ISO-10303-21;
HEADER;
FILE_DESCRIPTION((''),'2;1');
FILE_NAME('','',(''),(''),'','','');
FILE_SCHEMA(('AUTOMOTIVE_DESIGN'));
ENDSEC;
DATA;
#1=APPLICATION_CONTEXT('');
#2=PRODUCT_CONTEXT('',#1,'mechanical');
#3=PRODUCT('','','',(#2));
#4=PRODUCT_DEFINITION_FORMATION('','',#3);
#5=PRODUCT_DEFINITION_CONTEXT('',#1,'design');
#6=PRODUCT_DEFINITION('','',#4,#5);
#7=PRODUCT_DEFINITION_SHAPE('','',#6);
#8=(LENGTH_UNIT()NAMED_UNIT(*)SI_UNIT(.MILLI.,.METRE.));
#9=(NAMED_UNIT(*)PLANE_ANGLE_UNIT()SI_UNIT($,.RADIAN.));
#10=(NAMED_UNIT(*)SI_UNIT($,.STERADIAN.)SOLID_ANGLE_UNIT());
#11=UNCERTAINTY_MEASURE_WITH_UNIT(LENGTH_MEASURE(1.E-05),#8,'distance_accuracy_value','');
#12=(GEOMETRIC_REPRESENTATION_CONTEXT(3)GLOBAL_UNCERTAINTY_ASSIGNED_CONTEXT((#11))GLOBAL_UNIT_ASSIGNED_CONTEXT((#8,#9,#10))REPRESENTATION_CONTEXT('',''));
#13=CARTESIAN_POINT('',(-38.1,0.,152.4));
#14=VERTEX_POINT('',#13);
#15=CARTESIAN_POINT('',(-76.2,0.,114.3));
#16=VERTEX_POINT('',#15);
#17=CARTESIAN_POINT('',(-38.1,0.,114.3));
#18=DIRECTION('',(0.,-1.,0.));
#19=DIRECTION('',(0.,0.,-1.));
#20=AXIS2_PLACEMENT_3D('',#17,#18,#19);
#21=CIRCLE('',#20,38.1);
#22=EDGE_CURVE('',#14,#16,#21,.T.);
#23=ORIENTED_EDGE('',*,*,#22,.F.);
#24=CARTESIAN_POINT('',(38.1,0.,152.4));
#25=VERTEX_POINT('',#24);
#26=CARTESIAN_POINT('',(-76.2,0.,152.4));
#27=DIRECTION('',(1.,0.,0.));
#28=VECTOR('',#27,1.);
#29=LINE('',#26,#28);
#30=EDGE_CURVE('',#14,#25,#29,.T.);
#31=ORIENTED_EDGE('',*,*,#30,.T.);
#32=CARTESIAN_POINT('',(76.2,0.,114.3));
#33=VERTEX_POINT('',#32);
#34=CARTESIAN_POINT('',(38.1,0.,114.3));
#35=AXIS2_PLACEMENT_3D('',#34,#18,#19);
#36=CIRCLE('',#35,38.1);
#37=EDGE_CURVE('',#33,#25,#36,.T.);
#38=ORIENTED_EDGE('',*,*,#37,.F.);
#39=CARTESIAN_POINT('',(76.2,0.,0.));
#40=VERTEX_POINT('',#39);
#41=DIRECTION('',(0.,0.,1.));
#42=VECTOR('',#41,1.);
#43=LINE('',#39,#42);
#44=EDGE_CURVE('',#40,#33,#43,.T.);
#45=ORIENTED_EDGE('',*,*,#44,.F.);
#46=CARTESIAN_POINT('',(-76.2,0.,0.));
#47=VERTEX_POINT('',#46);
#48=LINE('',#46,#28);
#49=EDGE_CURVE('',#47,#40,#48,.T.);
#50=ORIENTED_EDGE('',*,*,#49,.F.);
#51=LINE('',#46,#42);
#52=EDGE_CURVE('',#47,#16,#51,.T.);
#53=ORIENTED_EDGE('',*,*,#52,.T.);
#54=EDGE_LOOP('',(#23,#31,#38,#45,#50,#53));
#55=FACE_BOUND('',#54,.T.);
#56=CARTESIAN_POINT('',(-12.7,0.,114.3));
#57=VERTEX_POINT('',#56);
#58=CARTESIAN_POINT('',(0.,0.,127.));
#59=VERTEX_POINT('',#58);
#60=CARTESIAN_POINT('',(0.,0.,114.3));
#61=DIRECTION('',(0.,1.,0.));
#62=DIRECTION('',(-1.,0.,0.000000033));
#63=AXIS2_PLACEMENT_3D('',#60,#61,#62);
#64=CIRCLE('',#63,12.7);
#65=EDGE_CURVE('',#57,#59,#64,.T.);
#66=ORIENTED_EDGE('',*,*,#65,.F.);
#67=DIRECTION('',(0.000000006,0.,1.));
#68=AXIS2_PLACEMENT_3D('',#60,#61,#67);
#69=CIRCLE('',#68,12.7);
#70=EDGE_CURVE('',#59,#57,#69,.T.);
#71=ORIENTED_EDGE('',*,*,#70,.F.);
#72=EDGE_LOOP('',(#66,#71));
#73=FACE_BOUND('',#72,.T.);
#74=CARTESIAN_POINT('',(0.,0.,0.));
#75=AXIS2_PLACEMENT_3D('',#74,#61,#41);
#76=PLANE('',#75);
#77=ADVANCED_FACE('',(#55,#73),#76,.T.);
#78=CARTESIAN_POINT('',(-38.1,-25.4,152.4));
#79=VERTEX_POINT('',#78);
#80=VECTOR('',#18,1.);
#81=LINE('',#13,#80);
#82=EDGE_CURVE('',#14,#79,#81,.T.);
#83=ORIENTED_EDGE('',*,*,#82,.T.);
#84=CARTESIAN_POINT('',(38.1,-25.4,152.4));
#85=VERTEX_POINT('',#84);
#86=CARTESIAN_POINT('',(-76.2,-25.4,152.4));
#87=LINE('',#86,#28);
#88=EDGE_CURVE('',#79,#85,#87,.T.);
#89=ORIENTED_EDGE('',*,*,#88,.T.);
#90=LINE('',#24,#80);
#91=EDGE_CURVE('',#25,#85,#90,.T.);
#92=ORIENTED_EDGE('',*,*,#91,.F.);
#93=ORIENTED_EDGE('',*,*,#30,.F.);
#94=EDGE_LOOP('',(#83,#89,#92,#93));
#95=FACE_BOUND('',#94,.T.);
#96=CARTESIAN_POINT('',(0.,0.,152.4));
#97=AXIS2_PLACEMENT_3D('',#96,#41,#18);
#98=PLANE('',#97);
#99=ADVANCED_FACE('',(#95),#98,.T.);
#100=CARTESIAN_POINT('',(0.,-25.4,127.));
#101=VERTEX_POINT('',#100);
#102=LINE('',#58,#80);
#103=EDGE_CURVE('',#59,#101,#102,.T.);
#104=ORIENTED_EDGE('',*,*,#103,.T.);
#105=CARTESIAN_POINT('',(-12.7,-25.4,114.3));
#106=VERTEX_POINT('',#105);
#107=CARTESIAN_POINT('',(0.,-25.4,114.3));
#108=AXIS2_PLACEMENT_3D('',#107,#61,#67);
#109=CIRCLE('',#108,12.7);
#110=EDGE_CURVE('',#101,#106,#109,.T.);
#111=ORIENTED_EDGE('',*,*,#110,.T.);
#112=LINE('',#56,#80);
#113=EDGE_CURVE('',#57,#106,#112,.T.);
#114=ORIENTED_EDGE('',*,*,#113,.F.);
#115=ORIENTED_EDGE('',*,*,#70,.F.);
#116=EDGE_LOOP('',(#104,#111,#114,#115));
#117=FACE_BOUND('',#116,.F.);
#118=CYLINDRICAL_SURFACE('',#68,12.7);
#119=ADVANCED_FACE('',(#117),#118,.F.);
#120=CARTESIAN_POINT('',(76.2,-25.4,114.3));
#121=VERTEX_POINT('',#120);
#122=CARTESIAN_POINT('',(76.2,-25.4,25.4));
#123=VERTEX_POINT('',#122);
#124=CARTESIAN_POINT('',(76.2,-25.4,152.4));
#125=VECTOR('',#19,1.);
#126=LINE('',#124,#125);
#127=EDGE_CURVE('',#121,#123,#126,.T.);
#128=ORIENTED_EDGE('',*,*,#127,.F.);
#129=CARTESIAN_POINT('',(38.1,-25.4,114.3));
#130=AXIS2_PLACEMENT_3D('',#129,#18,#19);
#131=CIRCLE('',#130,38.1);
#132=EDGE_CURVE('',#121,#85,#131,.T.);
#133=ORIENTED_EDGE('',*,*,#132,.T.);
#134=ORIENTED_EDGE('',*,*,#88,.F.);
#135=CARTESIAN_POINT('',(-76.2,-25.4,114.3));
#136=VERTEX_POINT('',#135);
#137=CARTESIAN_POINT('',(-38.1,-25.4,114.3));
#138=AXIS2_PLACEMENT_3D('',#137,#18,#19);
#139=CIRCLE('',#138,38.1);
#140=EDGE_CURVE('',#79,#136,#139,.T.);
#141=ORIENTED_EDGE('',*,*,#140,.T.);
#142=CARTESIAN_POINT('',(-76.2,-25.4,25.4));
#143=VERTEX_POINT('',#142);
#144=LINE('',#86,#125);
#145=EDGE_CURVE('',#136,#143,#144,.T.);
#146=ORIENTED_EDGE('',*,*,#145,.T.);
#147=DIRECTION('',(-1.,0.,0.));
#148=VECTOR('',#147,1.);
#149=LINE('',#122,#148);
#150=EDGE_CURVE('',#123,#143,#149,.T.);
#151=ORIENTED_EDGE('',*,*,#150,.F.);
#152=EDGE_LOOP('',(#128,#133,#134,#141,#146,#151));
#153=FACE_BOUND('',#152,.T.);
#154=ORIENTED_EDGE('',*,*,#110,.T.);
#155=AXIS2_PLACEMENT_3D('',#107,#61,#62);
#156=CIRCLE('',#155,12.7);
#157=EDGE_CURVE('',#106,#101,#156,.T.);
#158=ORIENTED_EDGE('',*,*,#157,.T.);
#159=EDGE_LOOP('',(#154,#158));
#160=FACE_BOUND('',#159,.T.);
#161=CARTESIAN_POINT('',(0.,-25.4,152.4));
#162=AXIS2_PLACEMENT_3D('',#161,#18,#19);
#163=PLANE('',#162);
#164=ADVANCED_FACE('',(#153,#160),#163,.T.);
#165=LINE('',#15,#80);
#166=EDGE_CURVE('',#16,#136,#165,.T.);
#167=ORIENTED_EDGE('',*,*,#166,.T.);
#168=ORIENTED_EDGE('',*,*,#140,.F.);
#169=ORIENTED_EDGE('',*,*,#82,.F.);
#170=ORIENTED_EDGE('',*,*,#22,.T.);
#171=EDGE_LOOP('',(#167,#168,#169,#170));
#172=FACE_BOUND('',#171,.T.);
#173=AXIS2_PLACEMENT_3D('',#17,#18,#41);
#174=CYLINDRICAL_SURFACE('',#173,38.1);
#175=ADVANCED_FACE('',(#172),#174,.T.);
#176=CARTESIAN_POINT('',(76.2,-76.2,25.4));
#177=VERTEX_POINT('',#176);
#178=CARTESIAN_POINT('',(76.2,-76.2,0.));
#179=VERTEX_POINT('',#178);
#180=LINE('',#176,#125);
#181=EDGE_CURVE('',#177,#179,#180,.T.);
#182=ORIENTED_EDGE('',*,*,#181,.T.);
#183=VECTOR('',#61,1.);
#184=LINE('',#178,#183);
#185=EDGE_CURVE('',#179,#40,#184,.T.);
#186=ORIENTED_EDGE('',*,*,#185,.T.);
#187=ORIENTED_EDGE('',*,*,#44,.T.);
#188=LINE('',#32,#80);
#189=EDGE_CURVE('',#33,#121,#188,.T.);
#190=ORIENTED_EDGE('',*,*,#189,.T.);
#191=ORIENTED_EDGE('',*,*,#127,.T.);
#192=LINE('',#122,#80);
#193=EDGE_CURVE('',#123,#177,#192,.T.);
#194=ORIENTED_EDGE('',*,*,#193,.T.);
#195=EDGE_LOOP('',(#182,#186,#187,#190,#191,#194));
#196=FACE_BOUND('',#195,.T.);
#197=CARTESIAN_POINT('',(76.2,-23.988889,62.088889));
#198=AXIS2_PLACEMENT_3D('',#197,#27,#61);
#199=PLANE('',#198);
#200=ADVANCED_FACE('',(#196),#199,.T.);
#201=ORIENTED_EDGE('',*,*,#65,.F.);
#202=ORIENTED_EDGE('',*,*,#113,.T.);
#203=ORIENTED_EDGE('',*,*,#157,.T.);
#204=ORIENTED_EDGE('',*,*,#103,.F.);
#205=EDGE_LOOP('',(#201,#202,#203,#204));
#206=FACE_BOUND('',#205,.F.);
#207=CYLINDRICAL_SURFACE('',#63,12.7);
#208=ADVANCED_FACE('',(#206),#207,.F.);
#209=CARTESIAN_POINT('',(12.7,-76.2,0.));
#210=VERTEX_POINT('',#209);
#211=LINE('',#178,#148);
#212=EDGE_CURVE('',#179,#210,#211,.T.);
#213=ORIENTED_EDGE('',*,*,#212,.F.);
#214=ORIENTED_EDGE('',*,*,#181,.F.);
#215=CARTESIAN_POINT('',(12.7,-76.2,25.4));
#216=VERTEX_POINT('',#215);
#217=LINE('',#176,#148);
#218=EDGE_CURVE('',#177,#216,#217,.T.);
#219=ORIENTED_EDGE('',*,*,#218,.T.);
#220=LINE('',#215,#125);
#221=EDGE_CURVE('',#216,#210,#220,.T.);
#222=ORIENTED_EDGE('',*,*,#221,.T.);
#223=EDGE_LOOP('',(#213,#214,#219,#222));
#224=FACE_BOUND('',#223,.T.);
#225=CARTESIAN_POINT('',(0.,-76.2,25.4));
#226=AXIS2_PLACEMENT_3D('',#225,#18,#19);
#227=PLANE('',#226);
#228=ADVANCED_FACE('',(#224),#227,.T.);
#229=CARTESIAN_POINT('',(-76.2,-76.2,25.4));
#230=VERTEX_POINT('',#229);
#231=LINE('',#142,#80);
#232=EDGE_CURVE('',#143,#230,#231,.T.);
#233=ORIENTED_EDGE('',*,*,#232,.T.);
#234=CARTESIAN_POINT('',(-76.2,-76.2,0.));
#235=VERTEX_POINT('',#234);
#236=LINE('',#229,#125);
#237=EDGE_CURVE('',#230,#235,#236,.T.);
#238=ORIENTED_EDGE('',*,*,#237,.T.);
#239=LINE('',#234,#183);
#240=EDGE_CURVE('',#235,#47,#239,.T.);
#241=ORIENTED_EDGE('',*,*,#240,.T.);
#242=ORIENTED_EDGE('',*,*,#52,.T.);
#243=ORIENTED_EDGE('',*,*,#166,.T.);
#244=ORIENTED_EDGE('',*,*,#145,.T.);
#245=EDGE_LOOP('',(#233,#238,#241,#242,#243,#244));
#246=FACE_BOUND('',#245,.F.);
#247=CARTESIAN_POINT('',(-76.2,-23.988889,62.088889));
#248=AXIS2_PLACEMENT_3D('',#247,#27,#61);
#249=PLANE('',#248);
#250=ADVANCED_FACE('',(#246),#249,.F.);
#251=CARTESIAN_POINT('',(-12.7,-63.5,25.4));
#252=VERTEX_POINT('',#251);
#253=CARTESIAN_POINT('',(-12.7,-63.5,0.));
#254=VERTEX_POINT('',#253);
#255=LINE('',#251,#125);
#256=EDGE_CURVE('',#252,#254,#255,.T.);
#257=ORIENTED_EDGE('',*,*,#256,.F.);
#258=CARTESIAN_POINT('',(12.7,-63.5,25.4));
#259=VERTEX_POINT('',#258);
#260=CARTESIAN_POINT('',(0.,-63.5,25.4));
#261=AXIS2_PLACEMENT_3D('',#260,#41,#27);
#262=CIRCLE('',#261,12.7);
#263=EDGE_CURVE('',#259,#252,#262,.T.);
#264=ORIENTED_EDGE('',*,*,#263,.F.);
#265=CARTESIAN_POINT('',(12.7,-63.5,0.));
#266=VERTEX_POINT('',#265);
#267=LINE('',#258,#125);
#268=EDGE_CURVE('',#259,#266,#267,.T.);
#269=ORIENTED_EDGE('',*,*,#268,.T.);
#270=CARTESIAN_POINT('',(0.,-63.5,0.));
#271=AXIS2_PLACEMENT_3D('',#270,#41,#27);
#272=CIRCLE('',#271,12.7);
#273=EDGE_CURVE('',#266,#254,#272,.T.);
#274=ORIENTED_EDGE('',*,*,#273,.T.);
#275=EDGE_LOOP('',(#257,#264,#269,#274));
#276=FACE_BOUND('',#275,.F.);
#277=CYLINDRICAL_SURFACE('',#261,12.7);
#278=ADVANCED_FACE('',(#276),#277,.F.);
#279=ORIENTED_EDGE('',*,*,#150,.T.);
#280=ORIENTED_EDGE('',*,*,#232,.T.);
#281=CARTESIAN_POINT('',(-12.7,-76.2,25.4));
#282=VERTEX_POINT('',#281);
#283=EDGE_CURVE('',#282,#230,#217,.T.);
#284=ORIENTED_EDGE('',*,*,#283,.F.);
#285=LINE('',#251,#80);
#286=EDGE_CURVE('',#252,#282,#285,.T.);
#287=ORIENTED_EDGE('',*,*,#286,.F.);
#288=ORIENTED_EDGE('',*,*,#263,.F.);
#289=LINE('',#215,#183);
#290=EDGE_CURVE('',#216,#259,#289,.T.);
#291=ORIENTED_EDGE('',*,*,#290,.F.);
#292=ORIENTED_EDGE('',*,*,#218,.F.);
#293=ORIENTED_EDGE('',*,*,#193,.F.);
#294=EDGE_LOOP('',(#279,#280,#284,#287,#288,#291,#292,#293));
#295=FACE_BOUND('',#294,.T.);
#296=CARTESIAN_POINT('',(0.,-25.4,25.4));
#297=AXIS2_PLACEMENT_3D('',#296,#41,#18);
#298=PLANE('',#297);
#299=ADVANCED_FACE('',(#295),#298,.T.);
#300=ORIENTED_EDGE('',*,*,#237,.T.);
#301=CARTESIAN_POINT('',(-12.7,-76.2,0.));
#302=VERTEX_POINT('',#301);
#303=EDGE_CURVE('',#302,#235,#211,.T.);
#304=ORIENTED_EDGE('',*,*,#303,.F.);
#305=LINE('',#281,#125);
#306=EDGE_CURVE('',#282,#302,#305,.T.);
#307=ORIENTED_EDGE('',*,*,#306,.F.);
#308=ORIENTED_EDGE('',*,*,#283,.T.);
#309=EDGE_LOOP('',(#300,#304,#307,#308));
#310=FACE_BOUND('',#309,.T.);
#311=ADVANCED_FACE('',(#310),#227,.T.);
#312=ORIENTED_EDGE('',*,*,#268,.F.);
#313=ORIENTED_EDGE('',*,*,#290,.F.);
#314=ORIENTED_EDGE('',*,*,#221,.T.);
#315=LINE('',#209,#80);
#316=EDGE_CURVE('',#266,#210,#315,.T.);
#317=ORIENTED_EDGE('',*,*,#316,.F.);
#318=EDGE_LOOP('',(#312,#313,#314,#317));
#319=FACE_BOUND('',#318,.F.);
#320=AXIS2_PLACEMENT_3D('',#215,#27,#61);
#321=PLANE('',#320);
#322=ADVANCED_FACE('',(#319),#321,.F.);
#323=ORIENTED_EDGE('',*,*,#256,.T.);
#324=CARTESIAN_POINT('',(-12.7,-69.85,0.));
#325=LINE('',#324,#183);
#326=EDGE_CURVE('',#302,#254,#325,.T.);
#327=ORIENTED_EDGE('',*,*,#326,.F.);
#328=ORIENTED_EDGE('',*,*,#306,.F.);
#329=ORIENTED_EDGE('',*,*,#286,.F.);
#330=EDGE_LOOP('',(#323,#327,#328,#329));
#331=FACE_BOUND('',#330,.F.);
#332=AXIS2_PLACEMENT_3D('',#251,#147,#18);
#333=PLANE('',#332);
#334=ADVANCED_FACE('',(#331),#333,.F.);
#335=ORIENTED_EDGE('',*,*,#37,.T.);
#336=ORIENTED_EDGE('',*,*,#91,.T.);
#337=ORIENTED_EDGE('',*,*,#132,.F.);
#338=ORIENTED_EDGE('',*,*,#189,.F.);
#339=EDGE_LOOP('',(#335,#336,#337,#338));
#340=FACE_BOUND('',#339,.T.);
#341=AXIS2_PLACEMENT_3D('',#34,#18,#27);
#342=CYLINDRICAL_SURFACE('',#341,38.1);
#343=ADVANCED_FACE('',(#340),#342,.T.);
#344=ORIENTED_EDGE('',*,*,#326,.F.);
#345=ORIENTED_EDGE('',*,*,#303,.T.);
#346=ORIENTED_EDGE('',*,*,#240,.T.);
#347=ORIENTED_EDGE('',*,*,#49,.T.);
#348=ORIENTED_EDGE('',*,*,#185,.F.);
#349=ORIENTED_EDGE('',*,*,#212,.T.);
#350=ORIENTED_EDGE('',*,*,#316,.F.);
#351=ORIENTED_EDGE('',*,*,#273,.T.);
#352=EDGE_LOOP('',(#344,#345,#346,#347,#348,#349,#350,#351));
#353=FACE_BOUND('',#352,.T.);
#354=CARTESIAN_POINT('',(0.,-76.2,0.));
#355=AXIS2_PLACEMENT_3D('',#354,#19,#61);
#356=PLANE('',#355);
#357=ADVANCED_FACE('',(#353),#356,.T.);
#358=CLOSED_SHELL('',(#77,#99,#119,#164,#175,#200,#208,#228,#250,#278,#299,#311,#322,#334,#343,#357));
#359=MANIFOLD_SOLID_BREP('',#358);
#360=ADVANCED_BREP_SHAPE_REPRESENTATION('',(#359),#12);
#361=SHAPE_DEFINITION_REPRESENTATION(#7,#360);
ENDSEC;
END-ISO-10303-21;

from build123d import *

# Parameters (mm, degrees)
F1_DEPTH = 76.2
F3_DEPTH = 25.4
F5_DEPTH = 45.466
F6_R     = 38.1
F7_R     = 38.1


with BuildPart() as f1:
    # F0 (on Right) → F1 (new body, symmetric)
    with BuildSketch(Plane.YZ):
        Polygon((-76.2, 0), (0, 0), (0, 152.4), (-25.4, 152.4), (-25.4, 25.4), (-76.2, 25.4), align=None)
    extrude(amount=F1_DEPTH, both=True)

    # F2 (on face) → F3 (cut)
    with BuildSketch(Plane(origin=(0, 0, 0), x_dir=(-1, 0, 0), z_dir=(0, 1, 0))):
        with BuildLine():
            ThreePointArc((0, 127), (-8.980256, 105.319744), (12.7, 114.3))
            ThreePointArc((12.7, 114.3), (8.980256, 123.280256), (0, 127))
        make_face()
    extrude(amount=-F3_DEPTH, mode=Mode.SUBTRACT)

    # F4 (on face) → F5 (cut)
    with BuildSketch(Plane.XY.offset(25.4)):
        with BuildLine():
            Line((12.7, -76.2), (12.7, -63.5))
            ThreePointArc((12.7, -63.5), (0, -50.8), (-12.7, -63.5))
            Line((-12.7, -63.5), (-12.7, -76.2))
            Line((-12.7, -76.2), (12.7, -76.2))
        make_face()
    extrude(amount=-F5_DEPTH, mode=Mode.SUBTRACT)

    # F6
    f6_edges = [f1.edges().sort_by_distance(p)[0] for p in [
        (76.2, -12.7, 152.4),
    ]]
    fillet(f6_edges, radius=F6_R)

    # F7
    f7_edges = [f1.edges().sort_by_distance(p)[0] for p in [
        (-76.2, -12.7, 152.4),
    ]]
    fillet(f7_edges, radius=F7_R)


solid = f1.part
